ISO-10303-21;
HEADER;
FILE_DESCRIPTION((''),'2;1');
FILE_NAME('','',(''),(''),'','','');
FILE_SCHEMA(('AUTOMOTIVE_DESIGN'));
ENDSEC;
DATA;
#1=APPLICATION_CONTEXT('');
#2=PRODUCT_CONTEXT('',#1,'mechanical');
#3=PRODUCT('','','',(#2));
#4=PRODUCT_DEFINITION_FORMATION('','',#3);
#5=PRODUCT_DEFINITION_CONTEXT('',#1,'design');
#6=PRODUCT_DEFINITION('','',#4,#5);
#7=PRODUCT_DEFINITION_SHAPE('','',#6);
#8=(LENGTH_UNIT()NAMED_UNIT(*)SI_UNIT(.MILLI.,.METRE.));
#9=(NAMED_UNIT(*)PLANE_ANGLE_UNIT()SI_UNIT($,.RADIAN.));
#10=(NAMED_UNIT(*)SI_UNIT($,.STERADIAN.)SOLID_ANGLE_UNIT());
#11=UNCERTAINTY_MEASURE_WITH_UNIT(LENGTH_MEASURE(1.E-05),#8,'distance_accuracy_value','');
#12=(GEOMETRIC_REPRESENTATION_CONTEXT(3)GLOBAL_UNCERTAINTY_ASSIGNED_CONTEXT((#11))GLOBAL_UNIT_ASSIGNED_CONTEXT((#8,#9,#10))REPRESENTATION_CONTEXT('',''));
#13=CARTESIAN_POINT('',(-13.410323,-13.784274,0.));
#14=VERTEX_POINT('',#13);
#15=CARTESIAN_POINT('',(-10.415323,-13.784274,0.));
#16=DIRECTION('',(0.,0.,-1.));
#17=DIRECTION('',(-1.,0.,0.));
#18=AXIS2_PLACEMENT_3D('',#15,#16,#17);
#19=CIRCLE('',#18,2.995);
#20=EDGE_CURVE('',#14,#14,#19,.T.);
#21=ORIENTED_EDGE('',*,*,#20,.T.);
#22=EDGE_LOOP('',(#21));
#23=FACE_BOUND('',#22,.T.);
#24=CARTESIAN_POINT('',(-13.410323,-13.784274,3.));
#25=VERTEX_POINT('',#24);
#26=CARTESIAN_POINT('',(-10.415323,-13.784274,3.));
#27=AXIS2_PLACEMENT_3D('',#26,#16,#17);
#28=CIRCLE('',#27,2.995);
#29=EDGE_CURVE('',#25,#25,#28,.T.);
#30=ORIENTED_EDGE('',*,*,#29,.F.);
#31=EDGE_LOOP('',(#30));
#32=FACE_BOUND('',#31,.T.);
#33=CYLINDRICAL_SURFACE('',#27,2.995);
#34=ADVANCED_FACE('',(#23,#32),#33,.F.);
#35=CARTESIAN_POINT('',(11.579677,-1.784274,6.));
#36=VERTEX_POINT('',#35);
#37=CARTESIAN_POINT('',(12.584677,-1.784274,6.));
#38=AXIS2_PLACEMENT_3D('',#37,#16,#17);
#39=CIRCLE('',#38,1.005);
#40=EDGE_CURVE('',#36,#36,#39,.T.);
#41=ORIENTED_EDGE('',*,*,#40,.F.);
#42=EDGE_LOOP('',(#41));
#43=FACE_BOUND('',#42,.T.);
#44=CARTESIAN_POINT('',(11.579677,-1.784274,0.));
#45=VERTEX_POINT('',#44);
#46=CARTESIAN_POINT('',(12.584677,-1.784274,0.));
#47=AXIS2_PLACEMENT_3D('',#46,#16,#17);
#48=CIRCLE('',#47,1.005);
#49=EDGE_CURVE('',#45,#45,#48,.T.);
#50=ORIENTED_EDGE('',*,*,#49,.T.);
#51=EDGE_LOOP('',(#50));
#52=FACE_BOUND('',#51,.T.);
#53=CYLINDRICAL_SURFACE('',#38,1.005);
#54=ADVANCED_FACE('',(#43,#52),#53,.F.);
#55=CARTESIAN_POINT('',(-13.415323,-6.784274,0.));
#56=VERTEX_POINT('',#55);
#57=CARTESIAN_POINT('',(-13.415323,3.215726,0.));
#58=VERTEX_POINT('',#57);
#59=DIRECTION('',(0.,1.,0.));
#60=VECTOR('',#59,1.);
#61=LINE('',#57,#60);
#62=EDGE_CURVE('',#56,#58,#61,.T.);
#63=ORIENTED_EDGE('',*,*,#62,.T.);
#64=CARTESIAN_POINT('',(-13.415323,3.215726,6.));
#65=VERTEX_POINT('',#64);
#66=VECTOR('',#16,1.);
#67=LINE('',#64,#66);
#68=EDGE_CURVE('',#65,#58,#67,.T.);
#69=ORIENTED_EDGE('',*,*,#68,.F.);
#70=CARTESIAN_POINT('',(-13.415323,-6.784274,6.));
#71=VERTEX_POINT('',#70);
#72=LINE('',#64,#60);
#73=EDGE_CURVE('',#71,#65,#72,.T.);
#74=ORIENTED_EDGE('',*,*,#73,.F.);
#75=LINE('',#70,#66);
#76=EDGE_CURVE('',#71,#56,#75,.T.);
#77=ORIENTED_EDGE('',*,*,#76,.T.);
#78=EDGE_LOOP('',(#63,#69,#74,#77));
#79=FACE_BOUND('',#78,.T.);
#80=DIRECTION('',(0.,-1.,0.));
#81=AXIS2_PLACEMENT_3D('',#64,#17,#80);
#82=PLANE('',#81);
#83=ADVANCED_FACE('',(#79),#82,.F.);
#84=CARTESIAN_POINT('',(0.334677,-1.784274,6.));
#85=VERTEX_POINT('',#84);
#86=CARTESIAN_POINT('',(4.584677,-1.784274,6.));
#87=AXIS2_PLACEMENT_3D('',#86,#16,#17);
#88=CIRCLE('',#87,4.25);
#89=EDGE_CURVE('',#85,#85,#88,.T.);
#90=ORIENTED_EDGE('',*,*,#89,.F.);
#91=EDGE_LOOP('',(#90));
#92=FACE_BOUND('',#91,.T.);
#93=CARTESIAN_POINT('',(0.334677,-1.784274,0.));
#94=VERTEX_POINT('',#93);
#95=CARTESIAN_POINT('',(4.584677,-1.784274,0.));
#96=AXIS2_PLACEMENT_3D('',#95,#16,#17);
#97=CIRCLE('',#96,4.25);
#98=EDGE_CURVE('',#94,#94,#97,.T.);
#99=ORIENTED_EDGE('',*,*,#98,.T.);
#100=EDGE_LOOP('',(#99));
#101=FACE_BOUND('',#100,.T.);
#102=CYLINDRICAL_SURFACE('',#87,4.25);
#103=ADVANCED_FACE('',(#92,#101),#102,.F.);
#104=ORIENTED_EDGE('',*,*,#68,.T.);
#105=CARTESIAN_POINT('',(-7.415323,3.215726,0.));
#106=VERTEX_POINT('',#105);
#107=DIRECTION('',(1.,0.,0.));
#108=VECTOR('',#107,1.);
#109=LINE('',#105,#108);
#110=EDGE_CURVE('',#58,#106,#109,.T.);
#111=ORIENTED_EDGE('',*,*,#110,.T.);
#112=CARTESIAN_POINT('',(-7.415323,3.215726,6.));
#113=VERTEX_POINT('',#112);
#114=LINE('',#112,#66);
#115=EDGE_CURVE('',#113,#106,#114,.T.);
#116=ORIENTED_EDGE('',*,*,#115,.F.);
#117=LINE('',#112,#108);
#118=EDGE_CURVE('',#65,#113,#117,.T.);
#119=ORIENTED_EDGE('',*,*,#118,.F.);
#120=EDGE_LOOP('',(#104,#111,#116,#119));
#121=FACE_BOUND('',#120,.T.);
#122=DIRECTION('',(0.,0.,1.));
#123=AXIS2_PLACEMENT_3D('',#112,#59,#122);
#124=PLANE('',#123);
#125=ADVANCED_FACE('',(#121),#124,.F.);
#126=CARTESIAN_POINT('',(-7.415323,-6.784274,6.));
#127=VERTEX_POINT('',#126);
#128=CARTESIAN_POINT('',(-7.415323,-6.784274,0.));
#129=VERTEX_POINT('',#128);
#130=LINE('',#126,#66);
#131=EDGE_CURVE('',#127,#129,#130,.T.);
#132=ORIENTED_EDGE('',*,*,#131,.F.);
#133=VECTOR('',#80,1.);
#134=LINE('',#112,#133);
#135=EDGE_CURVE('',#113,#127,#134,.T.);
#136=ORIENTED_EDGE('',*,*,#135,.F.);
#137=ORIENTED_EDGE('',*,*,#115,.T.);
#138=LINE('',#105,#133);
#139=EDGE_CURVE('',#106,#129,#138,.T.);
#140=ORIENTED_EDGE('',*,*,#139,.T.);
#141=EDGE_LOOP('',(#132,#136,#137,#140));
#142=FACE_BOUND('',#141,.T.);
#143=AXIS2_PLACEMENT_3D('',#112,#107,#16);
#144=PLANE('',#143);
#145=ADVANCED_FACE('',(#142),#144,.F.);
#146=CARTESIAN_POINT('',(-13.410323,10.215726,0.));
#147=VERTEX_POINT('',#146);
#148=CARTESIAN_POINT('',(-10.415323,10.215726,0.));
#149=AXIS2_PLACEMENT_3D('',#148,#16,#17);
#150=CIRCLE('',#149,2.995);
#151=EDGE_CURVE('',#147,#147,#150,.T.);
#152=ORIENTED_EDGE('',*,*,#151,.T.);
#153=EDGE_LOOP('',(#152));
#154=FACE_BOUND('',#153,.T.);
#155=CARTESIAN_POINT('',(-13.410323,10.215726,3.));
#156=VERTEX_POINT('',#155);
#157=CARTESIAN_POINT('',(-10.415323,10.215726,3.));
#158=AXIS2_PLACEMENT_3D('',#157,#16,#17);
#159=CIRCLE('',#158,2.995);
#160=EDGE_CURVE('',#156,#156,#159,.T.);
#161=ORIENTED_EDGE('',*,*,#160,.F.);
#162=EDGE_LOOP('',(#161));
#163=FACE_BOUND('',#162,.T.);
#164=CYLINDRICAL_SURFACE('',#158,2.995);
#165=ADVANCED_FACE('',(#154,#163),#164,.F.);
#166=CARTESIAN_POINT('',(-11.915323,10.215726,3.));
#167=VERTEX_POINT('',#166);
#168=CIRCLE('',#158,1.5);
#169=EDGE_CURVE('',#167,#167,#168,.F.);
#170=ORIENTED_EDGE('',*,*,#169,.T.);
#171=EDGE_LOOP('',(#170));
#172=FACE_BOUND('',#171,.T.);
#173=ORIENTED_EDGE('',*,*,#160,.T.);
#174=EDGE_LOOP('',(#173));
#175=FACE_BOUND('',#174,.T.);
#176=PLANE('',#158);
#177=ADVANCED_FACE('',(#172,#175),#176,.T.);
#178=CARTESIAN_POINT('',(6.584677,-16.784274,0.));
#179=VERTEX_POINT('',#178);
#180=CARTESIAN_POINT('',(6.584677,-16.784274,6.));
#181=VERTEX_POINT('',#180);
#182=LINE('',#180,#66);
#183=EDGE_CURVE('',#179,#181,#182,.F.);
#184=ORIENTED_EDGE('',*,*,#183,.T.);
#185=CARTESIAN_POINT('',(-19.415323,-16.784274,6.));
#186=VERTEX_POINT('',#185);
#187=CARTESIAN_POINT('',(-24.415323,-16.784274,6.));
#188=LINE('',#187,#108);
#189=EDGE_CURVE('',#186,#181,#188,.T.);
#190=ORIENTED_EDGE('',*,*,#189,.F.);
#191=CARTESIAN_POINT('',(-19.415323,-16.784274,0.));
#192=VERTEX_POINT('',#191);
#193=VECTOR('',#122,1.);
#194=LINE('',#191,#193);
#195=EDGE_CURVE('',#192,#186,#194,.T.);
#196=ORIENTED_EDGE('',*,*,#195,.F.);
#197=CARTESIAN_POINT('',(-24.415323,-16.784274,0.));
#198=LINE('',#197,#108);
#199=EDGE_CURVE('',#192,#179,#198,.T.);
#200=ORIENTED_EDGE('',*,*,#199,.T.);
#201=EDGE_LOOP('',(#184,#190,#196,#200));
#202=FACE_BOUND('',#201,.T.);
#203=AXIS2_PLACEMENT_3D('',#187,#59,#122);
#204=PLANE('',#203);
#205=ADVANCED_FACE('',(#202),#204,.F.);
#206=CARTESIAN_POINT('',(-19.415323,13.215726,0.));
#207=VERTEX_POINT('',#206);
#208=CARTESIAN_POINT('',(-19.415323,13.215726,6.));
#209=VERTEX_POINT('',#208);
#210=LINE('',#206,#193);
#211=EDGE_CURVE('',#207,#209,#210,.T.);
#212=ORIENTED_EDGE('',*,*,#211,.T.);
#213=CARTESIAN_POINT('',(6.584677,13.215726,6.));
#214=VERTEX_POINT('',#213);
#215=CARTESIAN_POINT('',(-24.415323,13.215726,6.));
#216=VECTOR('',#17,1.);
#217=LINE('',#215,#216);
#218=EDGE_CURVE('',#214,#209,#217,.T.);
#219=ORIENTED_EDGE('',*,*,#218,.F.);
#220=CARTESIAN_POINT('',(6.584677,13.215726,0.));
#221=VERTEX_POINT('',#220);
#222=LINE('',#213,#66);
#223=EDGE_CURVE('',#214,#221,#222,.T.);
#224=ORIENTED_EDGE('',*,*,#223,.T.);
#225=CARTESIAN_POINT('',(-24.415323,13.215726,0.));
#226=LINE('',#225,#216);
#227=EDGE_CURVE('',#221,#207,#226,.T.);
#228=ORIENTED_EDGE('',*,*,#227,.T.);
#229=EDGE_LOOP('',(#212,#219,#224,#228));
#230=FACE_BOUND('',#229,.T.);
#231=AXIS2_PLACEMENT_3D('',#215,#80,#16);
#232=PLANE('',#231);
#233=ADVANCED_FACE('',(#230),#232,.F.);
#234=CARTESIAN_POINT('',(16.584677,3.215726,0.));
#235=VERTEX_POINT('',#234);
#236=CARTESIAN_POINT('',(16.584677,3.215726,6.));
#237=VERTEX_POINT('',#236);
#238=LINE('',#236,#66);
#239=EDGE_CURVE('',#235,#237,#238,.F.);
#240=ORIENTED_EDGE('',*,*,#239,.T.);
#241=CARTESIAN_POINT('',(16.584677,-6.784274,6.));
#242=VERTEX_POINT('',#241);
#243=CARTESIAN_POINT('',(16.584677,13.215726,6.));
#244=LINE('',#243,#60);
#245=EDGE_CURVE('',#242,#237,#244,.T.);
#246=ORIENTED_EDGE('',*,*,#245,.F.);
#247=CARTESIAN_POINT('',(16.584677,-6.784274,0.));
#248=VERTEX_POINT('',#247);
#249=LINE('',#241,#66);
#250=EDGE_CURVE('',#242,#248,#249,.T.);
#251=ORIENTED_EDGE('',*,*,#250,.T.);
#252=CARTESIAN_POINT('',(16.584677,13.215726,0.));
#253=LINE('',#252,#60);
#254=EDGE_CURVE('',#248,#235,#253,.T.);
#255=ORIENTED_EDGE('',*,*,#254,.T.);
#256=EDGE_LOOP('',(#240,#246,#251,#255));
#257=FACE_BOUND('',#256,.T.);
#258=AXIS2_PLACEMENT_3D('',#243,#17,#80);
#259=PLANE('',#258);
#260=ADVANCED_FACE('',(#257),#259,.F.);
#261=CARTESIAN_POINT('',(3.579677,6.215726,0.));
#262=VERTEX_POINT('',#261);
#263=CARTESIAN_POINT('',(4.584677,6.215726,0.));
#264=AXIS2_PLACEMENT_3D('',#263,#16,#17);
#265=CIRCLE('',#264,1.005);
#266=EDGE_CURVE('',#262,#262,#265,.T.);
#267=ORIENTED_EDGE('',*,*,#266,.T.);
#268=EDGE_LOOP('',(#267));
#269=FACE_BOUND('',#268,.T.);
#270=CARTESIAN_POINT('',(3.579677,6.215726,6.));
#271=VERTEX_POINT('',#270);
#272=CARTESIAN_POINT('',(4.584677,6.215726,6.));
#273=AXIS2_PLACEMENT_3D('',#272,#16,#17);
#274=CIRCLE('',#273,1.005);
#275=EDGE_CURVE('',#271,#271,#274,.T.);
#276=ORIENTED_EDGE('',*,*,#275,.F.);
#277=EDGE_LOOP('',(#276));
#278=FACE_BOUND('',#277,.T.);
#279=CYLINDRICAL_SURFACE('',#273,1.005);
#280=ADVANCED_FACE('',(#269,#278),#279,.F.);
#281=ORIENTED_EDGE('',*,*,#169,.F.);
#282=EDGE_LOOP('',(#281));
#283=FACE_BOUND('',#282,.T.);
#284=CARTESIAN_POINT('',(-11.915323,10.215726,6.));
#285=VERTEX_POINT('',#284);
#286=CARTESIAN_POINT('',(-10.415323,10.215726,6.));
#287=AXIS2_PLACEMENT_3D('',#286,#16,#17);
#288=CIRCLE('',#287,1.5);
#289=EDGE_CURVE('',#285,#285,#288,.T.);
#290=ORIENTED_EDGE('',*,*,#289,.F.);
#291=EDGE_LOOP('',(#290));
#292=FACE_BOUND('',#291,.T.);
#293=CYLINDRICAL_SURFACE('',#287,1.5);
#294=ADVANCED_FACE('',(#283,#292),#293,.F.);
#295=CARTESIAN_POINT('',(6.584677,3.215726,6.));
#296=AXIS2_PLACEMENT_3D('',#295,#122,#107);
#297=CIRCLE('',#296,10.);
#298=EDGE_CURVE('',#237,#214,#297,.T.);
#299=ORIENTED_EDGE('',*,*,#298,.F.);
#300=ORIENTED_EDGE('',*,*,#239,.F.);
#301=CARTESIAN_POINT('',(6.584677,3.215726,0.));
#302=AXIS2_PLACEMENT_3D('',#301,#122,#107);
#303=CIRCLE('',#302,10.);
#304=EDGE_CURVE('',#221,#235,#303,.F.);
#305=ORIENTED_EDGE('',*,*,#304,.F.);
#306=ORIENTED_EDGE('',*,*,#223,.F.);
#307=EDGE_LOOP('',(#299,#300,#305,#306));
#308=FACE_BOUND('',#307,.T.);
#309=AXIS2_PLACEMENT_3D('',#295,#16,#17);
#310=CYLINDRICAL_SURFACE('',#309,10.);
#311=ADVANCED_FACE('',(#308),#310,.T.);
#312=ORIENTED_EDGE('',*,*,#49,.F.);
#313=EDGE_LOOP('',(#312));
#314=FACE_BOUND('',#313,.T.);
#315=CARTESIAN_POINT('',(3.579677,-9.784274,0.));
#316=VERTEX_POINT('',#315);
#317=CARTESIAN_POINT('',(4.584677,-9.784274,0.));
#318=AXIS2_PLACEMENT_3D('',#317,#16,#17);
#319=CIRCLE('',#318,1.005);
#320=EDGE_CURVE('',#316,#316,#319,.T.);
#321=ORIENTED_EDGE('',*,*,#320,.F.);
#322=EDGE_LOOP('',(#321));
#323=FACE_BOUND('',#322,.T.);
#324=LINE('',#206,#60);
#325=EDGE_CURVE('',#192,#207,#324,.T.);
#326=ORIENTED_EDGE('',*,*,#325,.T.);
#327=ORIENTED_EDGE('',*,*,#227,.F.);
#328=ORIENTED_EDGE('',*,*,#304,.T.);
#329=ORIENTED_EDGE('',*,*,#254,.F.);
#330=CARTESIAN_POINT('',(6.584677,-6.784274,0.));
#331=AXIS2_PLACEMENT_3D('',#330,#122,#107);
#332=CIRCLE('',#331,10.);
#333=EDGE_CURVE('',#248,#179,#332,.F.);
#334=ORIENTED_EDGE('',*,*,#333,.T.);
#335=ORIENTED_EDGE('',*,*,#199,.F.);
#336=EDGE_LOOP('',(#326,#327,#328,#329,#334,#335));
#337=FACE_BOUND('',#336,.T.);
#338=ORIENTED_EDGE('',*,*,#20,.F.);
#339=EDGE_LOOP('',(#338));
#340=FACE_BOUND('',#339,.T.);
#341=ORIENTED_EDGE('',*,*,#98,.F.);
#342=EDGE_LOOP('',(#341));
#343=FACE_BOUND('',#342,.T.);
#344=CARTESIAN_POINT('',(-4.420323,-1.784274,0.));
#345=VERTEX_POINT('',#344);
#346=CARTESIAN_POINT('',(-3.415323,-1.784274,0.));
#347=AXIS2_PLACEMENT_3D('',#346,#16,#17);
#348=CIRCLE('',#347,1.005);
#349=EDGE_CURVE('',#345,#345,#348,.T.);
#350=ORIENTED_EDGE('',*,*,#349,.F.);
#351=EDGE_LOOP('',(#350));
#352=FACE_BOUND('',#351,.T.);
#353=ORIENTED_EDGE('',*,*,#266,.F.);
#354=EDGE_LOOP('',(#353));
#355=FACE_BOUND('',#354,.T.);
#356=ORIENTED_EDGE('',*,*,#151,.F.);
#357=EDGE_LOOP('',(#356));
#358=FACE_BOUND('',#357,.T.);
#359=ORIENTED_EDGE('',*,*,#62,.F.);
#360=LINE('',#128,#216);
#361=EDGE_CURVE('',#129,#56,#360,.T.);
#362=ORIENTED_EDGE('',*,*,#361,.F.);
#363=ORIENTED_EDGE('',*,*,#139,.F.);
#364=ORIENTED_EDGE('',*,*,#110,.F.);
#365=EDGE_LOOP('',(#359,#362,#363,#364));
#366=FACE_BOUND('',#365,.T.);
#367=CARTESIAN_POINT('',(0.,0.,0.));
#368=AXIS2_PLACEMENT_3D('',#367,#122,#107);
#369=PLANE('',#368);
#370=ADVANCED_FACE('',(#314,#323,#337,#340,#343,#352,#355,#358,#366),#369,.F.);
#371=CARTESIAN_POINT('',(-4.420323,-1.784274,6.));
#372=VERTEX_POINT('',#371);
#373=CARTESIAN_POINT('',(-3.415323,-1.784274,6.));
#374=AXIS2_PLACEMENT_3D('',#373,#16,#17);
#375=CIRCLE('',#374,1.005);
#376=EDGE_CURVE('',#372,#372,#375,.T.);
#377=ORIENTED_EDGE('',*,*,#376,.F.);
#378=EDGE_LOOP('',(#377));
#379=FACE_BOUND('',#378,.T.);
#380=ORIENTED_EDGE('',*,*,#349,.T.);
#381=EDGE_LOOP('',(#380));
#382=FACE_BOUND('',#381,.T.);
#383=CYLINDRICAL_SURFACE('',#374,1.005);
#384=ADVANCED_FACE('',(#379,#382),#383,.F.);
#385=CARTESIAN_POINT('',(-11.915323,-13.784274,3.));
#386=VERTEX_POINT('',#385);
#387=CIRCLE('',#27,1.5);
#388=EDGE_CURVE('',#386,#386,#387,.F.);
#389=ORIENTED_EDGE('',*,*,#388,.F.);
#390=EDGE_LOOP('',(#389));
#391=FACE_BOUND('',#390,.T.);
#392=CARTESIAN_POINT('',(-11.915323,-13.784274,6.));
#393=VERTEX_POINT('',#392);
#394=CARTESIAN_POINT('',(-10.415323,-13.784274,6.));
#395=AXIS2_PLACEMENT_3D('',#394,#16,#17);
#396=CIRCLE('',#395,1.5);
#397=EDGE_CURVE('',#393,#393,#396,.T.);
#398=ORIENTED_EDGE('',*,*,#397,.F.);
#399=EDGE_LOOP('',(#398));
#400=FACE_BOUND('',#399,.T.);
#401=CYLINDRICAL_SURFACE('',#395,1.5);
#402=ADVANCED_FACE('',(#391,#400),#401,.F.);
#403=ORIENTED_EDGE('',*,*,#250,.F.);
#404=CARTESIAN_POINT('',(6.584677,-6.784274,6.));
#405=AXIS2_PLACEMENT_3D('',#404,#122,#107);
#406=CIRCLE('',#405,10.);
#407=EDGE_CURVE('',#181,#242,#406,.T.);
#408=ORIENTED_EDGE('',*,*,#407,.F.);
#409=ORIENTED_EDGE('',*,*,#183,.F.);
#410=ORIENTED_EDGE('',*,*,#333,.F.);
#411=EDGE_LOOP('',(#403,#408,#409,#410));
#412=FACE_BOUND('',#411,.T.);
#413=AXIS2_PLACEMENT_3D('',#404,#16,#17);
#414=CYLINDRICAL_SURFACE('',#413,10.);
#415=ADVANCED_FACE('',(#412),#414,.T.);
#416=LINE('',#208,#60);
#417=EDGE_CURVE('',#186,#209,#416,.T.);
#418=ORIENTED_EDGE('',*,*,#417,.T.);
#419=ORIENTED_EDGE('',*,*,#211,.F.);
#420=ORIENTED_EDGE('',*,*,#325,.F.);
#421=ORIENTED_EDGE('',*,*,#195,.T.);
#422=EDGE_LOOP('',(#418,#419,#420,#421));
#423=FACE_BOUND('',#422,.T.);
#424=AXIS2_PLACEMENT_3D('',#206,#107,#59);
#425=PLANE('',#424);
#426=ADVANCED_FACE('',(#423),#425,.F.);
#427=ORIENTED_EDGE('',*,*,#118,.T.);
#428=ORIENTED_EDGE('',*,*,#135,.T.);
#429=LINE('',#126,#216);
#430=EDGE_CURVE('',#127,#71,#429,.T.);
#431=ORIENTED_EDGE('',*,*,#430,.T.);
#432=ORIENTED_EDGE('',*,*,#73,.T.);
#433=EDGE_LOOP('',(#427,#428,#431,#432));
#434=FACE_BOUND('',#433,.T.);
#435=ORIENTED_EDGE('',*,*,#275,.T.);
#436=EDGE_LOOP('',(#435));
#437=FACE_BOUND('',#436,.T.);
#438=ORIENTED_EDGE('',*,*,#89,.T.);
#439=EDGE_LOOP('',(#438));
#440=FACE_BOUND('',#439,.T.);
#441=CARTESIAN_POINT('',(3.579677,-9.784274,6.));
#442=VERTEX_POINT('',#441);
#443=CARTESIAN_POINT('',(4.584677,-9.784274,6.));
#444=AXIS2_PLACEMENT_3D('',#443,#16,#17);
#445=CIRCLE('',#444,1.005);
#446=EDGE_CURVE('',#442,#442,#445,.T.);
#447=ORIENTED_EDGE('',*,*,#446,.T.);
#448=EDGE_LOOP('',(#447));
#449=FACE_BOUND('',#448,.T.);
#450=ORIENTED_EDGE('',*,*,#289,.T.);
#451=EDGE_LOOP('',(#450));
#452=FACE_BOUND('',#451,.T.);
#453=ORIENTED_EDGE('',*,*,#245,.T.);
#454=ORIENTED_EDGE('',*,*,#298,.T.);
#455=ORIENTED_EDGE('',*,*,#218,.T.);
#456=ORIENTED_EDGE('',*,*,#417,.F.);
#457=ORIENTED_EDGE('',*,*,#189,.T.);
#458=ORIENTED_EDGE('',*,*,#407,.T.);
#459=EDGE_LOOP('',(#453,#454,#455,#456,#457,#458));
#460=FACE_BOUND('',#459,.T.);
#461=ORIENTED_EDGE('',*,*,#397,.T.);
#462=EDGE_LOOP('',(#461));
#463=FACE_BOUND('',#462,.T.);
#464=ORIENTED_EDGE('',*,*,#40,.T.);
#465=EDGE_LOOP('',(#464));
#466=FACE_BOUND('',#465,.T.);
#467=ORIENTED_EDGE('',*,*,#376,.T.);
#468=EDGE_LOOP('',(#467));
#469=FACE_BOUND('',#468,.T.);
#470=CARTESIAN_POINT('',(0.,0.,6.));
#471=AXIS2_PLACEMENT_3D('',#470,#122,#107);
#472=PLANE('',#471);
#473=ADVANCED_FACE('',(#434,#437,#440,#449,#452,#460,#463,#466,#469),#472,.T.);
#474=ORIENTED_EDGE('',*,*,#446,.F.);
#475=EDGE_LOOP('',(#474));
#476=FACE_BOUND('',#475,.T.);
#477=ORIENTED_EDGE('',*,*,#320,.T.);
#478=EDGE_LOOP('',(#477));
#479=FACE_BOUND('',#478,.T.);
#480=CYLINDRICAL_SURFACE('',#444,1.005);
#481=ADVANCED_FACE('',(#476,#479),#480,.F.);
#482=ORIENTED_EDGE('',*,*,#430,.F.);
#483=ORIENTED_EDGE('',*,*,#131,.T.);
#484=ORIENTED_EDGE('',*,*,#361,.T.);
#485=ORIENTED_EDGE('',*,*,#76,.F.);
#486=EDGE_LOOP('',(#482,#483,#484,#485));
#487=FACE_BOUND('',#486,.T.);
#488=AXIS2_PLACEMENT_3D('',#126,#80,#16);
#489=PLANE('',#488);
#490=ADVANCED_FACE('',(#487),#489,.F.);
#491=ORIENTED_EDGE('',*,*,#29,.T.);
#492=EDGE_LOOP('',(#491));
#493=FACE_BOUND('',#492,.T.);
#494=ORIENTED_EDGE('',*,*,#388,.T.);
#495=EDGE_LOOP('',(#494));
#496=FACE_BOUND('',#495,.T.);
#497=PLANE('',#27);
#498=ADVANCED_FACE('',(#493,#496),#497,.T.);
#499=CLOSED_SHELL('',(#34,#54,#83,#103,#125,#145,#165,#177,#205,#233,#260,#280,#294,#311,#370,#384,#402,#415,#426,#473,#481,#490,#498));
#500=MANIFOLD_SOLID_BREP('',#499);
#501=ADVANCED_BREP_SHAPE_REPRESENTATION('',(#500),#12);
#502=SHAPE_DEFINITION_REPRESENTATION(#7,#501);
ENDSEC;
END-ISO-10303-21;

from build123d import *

# Parameters (mm, degrees)
ESQUISSE1_W             = 50
ESQUISSE1_H             = 30
BOSS_EXTRU_1_DEPTH      = 6
ESQUISSE4_W             = 5
ESQUISSE4_H             = 30
ENL_V_MAT_EXTRU_2_DEPTH = 6
ESQUISSE6_R             = 1.5
ENL_V_MAT_EXTRU_3_DEPTH = 6
ESQUISSE7_R             = 2.995
ENL_V_MAT_EXTRU_4_DEPTH = 3
ESQUISSE8_W             = 6
ESQUISSE8_H             = 10
ENL_V_MAT_EXTRU_5_DEPTH = 6
ESQUISSE10_R            = 1.005
ENL_V_MAT_EXTRU_6_DEPTH = 6
ESQUISSE11_R            = 4.25
ENL_V_MAT_EXTRU_7_DEPTH = 6
ESQUISSE12_W            = 9
ESQUISSE12_H            = 30
ENL_V_MAT_EXTRU_8_DEPTH = 6
CONG_1_R                = 10


with BuildPart() as part:
    # Esquisse1 → Boss.-Extru.1 (new body)
    with BuildSketch(Plane.XY):
        with Locations((0.584677419, -1.784274194)):
            Rectangle(ESQUISSE1_W, ESQUISSE1_H)
    extrude(amount=BOSS_EXTRU_1_DEPTH)

    # Esquisse4 → Enlèv. mat.-Extru.2 (cut)
    with BuildSketch(Plane.XY.offset(6)):
        with Locations((-21.915322581, -1.784274194)):
            Rectangle(ESQUISSE4_W, ESQUISSE4_H)
    extrude(amount=-ENL_V_MAT_EXTRU_2_DEPTH, mode=Mode.SUBTRACT)

    # Esquisse6 → Enlèv. mat.-Extru.3 (cut)
    with BuildSketch(Plane(origin=(0, 0, 0), x_dir=(-1, 0, 0), z_dir=(0, 0, -1))):
        with Locations((10.415322581, 10.215725806)):
            Circle(ESQUISSE6_R)
        with Locations((10.415322581, -13.784274194)):
            Circle(ESQUISSE6_R)
    extrude(amount=-ENL_V_MAT_EXTRU_3_DEPTH, mode=Mode.SUBTRACT)

    # Esquisse7 → Enlèv. mat.-Extru.4 (cut)
    with BuildSketch(Plane(origin=(0, 0, 0), x_dir=(-1, 0, 0), z_dir=(0, 0, -1))):
        with Locations((10.415322581, -13.784274194)):
            Circle(ESQUISSE7_R)
        with Locations((10.415322581, 10.215725806)):
            Circle(ESQUISSE7_R)
    extrude(amount=-ENL_V_MAT_EXTRU_4_DEPTH, mode=Mode.SUBTRACT)

    # Esquisse8 → Enlèv. mat.-Extru.5 (cut)
    with BuildSketch(Plane(origin=(0, 0, 0), x_dir=(-1, 0, 0), z_dir=(0, 0, -1))):
        with Locations((10.415322581, -1.784274194)):
            Rectangle(ESQUISSE8_W, ESQUISSE8_H)
    extrude(amount=-ENL_V_MAT_EXTRU_5_DEPTH, mode=Mode.SUBTRACT)

    # Esquisse10 → Enlèv. mat.-Extru.6 (cut)
    with BuildSketch(Plane(origin=(0, 0, 0), x_dir=(-1, 0, 0), z_dir=(0, 0, -1))):
        with Locations((-4.584677419, 6.215725806)):
            Circle(ESQUISSE10_R)
        with Locations((-12.584677419, -1.784274194)):
            Circle(ESQUISSE10_R)
        with Locations((3.415322581, -1.784274194)):
            Circle(ESQUISSE10_R)
        with Locations((-4.584677419, -9.784274194)):
            Circle(ESQUISSE10_R)
    extrude(amount=-ENL_V_MAT_EXTRU_6_DEPTH, mode=Mode.SUBTRACT)

    # Esquisse11 → Enlèv. mat.-Extru.7 (cut)
    with BuildSketch(Plane(origin=(0, 0, 0), x_dir=(-1, 0, 0), z_dir=(0, 0, -1))):
        with Locations((-4.584677419, -1.784274194)):
            Circle(ESQUISSE11_R)
    extrude(amount=-ENL_V_MAT_EXTRU_7_DEPTH, mode=Mode.SUBTRACT)

    # Esquisse12 → Enlèv. mat.-Extru.8 (cut)
    with BuildSketch(Plane(origin=(0, 0, 0), x_dir=(-1, 0, 0), z_dir=(0, 0, -1))):
        with Locations((-21.084677419, -1.784274194)):
            Rectangle(ESQUISSE12_W, ESQUISSE12_H)
    extrude(amount=-ENL_V_MAT_EXTRU_8_DEPTH, mode=Mode.SUBTRACT)

    # Congé1
    cong_1_edges = [part.edges().sort_by_distance(p)[0] for p in [
        (16.584677419, 13.215725806, 3),
        (16.584677419, -16.784274194, 3),
    ]]
    fillet(cong_1_edges, radius=CONG_1_R)


solid = part.part
